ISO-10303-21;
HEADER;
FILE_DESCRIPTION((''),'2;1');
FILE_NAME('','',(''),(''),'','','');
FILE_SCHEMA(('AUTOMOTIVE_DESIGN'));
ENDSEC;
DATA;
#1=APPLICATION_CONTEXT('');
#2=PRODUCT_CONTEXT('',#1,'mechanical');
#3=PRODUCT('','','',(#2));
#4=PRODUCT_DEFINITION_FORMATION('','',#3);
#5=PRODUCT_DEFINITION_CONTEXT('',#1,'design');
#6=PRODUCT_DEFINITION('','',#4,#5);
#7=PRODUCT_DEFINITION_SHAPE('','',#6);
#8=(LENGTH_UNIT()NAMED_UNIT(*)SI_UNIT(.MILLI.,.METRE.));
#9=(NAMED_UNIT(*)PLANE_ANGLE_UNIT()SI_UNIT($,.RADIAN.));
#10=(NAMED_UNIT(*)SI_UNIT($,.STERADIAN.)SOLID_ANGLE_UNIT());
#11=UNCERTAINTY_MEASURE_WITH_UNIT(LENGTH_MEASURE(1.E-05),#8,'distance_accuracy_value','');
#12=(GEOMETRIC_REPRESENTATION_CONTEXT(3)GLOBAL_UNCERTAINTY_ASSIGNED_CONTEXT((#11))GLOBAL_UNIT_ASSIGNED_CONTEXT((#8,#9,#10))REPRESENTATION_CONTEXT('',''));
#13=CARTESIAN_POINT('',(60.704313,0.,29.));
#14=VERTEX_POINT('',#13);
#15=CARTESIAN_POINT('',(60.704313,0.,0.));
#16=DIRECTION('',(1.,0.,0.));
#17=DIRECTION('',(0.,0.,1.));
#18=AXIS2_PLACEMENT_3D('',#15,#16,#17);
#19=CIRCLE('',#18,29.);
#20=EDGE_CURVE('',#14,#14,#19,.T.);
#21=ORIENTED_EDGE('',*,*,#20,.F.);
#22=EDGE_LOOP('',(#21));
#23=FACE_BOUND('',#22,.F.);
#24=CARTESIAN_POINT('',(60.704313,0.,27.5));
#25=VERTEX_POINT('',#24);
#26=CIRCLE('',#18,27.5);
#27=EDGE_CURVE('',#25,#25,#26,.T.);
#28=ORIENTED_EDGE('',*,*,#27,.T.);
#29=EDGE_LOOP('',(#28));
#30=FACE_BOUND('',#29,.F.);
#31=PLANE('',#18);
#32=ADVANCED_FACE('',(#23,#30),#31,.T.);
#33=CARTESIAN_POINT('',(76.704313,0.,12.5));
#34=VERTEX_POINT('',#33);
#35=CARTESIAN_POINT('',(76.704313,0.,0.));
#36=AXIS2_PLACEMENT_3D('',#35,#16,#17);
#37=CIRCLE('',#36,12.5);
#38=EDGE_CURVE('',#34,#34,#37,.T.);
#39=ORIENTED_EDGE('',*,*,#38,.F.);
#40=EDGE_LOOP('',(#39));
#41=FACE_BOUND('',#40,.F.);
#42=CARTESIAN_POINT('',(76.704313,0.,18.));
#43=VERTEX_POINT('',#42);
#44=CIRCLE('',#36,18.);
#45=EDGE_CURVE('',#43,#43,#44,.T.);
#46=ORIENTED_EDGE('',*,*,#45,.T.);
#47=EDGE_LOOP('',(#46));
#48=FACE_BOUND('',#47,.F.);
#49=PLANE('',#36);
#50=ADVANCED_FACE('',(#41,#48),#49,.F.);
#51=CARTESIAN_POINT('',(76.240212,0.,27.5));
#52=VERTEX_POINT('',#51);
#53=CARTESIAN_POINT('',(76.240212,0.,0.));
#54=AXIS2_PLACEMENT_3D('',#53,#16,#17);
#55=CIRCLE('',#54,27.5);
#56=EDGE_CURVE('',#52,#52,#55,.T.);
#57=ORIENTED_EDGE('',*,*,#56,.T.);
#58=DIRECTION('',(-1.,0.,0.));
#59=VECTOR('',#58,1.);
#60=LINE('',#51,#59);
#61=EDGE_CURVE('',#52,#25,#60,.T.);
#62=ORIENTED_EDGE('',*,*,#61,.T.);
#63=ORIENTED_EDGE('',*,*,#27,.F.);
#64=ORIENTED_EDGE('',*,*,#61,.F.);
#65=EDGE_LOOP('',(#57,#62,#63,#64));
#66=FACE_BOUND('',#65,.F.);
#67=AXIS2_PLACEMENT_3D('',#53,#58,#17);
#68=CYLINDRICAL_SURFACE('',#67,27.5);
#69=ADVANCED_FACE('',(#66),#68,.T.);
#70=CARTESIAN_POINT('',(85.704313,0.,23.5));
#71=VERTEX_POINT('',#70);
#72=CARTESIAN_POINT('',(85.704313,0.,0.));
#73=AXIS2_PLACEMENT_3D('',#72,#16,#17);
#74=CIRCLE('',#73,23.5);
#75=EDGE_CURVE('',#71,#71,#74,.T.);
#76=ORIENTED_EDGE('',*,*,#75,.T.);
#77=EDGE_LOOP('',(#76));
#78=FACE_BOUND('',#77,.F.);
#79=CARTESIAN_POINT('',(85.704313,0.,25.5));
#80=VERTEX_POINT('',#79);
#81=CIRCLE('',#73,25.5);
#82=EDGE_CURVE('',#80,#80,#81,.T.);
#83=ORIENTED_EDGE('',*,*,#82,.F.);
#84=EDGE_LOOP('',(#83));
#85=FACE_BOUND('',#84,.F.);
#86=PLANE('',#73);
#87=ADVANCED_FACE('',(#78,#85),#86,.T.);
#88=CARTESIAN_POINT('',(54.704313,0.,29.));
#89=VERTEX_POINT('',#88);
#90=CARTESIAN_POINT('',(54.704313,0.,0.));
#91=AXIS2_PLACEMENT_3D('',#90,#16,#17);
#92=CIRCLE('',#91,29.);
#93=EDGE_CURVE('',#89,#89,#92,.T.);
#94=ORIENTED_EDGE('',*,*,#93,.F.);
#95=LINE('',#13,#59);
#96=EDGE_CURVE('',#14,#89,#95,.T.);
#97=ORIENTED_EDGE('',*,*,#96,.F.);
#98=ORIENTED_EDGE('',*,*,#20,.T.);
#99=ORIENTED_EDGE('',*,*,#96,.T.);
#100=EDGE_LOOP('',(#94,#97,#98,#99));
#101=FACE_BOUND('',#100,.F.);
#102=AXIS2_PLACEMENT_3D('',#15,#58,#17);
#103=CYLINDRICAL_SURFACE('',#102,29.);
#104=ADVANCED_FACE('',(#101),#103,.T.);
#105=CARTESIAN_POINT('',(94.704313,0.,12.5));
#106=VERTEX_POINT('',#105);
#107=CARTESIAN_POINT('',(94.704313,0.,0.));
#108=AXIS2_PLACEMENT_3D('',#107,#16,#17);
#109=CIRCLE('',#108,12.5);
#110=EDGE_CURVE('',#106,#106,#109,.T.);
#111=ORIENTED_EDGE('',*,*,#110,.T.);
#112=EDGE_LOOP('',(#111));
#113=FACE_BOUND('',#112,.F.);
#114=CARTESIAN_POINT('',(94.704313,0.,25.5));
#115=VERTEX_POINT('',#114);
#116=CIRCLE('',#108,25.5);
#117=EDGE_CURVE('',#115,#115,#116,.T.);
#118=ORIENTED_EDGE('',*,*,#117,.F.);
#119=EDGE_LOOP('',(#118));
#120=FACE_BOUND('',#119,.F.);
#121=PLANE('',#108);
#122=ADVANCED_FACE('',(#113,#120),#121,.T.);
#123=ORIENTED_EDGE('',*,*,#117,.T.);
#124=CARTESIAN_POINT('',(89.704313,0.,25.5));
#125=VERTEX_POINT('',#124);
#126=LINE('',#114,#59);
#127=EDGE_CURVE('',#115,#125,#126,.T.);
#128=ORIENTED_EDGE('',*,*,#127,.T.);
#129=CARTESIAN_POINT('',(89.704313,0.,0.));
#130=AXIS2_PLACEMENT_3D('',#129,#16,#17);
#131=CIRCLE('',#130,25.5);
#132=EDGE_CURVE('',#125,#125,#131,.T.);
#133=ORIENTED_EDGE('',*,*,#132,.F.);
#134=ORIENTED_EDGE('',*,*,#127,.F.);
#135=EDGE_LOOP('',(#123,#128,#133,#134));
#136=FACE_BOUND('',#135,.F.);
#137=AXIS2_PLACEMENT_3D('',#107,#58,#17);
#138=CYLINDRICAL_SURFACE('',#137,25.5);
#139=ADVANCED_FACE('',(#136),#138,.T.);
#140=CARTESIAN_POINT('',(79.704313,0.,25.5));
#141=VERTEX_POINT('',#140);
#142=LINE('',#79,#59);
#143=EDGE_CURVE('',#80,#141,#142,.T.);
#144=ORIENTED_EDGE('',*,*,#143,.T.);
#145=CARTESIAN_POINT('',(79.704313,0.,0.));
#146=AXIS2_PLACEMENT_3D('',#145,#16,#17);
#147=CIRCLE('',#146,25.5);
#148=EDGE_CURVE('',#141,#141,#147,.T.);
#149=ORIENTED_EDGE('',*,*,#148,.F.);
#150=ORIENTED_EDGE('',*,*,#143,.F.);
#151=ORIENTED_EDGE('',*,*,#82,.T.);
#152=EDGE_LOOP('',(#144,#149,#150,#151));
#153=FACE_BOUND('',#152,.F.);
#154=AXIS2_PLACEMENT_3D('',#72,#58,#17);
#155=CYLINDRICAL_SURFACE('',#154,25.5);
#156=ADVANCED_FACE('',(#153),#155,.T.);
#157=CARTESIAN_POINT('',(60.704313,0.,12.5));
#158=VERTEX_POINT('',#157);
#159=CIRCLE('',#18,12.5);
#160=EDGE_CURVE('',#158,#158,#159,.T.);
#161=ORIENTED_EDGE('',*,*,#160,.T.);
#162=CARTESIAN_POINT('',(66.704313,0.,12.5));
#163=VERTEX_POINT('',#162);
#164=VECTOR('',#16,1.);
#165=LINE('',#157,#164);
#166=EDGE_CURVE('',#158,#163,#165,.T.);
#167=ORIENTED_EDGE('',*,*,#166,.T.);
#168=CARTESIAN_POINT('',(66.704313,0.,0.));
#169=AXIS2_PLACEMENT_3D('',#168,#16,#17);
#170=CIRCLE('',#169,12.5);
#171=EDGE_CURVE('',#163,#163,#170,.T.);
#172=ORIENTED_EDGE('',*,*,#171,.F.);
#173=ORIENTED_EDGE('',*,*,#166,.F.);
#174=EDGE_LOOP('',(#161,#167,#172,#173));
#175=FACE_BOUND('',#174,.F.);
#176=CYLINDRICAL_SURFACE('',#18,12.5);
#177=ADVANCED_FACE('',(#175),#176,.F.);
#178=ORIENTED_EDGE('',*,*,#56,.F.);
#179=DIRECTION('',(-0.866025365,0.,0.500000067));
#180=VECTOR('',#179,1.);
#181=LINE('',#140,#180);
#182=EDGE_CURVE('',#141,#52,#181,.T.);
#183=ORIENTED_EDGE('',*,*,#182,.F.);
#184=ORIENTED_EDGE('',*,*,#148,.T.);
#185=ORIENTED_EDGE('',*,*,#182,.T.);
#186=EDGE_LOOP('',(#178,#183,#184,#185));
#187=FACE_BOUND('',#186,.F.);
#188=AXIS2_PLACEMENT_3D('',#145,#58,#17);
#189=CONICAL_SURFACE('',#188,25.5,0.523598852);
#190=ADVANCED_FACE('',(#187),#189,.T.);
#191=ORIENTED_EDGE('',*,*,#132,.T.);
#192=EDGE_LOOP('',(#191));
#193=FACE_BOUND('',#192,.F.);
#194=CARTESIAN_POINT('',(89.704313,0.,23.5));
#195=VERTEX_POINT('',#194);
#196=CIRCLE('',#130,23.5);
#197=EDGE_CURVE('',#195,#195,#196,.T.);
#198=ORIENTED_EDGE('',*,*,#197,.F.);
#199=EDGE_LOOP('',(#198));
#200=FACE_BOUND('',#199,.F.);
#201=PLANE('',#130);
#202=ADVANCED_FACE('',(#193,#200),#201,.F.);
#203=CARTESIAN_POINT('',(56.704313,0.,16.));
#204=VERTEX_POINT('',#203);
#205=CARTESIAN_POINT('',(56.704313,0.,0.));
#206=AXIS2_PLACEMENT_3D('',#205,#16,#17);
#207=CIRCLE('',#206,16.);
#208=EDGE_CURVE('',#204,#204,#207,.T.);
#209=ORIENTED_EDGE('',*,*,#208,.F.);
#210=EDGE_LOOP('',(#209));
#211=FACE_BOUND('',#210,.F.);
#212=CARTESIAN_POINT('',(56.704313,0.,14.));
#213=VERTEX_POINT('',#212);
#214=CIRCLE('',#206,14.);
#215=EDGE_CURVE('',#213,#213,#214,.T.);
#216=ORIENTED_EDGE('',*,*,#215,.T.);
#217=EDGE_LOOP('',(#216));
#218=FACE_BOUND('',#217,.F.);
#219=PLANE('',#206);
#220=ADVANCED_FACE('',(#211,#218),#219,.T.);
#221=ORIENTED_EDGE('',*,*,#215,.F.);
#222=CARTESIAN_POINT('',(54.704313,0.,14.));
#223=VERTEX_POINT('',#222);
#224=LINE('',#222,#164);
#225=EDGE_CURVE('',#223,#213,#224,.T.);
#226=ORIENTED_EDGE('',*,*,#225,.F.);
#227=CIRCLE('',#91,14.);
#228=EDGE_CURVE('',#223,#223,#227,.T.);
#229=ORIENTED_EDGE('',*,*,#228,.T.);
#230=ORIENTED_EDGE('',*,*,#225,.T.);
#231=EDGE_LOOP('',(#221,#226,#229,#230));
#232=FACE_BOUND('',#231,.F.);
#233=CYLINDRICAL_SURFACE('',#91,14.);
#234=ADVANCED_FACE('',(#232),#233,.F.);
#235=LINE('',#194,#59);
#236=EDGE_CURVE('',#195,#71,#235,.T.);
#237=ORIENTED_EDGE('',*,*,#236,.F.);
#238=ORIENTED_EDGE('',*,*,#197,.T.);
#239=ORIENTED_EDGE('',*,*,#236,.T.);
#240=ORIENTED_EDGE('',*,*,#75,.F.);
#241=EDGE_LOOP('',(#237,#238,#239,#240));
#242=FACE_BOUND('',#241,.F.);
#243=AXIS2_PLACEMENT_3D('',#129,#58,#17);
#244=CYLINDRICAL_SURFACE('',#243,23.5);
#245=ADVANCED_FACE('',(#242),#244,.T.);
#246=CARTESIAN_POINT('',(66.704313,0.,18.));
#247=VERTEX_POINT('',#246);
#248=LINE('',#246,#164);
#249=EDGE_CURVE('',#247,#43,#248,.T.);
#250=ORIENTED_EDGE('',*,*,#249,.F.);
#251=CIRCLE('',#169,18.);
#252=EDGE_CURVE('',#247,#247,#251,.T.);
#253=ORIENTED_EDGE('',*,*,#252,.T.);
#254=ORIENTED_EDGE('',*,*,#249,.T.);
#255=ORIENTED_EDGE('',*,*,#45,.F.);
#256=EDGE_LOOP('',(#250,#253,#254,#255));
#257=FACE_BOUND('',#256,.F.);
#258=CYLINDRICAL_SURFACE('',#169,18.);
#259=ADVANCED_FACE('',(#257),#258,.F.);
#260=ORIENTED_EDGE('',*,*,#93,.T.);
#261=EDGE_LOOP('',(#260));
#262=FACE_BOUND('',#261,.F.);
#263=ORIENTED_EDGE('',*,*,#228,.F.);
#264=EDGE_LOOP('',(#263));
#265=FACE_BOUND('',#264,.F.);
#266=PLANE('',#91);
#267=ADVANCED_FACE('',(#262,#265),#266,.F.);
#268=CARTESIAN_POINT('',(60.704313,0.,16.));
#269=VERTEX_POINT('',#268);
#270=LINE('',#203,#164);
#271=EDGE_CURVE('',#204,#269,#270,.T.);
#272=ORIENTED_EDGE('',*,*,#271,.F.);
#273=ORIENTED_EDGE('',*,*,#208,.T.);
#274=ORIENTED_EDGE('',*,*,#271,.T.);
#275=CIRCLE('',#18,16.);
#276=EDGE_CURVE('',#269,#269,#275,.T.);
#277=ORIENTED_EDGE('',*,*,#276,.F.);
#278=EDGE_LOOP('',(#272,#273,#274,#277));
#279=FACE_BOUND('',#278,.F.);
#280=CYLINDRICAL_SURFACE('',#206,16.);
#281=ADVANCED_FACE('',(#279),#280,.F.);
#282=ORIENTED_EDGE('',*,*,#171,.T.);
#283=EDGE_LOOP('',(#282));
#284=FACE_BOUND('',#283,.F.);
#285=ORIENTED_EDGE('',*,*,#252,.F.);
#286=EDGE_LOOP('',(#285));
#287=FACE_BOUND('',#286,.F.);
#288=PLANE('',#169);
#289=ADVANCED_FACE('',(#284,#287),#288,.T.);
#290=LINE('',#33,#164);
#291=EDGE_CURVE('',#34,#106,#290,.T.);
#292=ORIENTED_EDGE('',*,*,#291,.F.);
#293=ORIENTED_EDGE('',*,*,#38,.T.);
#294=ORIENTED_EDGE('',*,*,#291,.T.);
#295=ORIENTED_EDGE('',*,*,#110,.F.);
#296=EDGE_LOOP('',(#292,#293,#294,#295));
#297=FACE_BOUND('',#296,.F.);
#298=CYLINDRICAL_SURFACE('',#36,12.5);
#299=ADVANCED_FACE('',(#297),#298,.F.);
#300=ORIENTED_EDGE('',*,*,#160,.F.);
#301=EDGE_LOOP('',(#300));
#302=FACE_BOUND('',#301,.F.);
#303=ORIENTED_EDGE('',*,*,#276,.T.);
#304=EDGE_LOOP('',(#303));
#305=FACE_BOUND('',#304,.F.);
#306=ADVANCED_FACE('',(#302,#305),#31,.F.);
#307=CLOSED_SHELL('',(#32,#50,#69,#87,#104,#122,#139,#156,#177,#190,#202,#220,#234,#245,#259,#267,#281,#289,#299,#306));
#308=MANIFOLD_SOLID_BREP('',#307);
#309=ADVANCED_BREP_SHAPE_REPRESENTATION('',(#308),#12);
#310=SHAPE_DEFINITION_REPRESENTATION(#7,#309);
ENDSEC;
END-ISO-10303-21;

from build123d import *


with BuildPart() as f2:
    # F1 (on Front) → F2 (revolve)
    with BuildSketch(Plane.XZ):
        Polygon((54.704313, 29), (54.704313, 14), (56.704313, 14), (56.704313, 16), (60.704313, 16), (60.704313, 12.5), (66.704313, 12.5), (66.704313, 18), (76.704313, 18), (76.704313, 12.5), (94.704313, 12.5), (94.704313, 25.5), (89.704313, 25.5), (89.704313, 23.5), (85.704313, 23.5), (85.704313, 25.5), (79.704313, 25.5), (76.240212, 27.5), (60.704313, 27.5), (60.704313, 29), align=None)
    revolve(axis=Axis((75.945826, 0, 0), (1, 0, 0)))


solid = f2.part
